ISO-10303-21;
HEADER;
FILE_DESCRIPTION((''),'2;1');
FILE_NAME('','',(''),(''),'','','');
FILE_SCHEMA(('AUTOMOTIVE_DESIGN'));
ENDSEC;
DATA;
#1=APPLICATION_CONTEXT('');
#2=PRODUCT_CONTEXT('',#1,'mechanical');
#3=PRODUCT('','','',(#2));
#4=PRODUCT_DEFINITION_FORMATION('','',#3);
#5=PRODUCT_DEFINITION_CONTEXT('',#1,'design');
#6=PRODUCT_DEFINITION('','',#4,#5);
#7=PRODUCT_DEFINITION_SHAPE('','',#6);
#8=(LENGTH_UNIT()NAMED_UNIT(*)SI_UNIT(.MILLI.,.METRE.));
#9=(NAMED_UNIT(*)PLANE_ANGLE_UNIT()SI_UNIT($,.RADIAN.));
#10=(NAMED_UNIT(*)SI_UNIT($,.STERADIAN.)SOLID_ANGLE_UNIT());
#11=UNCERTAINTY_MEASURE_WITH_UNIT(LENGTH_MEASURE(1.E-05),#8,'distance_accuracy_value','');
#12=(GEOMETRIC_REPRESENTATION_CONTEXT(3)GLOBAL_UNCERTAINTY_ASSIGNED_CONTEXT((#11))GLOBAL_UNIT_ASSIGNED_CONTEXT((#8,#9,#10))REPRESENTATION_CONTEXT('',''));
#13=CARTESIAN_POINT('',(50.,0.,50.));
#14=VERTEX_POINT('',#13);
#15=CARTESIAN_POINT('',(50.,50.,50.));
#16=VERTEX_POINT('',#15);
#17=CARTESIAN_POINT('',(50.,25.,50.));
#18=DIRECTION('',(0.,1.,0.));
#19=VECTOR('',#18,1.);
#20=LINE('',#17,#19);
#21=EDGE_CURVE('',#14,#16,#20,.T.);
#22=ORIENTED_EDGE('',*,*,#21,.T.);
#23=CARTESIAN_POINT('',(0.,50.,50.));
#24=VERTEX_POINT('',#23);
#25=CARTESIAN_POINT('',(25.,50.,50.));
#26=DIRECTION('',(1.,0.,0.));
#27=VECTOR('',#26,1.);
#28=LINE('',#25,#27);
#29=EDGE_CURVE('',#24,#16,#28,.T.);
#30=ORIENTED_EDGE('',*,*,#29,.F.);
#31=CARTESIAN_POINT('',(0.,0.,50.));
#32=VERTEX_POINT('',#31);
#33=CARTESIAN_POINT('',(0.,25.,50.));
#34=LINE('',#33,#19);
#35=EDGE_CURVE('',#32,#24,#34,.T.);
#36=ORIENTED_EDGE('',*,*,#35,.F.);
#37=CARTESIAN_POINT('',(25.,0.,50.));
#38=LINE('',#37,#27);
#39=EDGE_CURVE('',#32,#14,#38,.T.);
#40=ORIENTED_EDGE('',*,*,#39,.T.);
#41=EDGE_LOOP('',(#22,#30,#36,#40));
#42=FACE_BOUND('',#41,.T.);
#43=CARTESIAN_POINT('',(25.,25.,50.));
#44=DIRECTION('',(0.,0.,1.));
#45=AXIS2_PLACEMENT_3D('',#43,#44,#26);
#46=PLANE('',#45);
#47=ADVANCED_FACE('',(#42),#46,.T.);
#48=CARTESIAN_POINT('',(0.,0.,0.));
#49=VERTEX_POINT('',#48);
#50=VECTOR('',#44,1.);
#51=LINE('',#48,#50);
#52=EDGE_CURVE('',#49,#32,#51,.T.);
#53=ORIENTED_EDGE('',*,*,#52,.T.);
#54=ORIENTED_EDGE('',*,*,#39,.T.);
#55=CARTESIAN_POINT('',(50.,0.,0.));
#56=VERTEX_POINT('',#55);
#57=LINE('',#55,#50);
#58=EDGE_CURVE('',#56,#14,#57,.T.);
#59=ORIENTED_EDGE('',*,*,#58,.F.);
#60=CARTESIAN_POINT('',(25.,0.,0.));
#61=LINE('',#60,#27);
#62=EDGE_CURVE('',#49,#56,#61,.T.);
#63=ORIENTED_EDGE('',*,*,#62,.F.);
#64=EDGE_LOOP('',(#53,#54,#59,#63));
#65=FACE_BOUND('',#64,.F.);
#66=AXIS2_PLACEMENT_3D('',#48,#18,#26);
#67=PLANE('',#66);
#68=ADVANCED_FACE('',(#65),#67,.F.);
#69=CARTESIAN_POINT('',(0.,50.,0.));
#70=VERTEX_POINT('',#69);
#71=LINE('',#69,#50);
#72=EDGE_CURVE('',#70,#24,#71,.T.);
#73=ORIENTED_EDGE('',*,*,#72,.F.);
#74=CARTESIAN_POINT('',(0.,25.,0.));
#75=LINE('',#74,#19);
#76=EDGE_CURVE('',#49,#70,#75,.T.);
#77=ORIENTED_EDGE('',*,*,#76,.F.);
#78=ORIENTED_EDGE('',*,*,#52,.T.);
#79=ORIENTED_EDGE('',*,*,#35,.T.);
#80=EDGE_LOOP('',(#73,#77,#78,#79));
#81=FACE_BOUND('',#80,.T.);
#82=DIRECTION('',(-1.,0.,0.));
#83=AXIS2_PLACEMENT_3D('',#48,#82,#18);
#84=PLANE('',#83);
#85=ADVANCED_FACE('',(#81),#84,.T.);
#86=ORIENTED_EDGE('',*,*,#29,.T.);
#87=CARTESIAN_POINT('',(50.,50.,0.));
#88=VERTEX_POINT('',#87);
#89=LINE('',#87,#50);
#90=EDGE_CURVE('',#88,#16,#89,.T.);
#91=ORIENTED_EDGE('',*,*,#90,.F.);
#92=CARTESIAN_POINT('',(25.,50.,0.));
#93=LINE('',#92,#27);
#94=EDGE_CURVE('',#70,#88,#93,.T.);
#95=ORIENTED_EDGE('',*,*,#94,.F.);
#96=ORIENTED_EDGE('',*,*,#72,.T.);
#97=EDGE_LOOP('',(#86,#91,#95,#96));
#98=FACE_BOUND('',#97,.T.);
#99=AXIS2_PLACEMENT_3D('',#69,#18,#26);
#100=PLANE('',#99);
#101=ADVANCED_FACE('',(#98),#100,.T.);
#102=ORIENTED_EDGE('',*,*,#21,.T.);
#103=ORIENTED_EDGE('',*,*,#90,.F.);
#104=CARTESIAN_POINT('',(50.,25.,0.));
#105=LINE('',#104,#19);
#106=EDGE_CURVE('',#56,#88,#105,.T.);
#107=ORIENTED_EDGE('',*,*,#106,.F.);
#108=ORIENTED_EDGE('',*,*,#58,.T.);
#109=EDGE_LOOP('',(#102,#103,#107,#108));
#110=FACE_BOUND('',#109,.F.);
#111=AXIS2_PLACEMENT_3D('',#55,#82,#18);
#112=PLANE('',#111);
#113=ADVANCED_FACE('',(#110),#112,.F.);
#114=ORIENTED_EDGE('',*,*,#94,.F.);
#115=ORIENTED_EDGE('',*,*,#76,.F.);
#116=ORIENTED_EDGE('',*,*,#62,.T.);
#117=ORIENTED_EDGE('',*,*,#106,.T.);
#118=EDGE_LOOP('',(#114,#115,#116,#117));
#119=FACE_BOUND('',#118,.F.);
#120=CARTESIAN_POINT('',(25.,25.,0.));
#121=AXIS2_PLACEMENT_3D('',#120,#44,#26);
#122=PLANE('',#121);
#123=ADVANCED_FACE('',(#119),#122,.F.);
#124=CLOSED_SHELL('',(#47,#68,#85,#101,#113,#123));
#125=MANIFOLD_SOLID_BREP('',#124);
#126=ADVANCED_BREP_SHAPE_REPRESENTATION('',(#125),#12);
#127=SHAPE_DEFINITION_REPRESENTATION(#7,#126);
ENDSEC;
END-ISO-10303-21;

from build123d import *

# Parameters (mm, degrees)
SKIZZE1_W                       = 50
SKIZZE1_H                       = 50
AUFSATZ_LINEAR_AUSTRAGEN1_DEPTH = 50


with BuildPart() as part:
    # Skizze1 → Aufsatz-Linear austragen1 (new body)
    with BuildSketch(Plane.XY):
        with Locations((25, 25)):
            Rectangle(SKIZZE1_W, SKIZZE1_H)
    extrude(amount=AUFSATZ_LINEAR_AUSTRAGEN1_DEPTH)


solid = part.part
